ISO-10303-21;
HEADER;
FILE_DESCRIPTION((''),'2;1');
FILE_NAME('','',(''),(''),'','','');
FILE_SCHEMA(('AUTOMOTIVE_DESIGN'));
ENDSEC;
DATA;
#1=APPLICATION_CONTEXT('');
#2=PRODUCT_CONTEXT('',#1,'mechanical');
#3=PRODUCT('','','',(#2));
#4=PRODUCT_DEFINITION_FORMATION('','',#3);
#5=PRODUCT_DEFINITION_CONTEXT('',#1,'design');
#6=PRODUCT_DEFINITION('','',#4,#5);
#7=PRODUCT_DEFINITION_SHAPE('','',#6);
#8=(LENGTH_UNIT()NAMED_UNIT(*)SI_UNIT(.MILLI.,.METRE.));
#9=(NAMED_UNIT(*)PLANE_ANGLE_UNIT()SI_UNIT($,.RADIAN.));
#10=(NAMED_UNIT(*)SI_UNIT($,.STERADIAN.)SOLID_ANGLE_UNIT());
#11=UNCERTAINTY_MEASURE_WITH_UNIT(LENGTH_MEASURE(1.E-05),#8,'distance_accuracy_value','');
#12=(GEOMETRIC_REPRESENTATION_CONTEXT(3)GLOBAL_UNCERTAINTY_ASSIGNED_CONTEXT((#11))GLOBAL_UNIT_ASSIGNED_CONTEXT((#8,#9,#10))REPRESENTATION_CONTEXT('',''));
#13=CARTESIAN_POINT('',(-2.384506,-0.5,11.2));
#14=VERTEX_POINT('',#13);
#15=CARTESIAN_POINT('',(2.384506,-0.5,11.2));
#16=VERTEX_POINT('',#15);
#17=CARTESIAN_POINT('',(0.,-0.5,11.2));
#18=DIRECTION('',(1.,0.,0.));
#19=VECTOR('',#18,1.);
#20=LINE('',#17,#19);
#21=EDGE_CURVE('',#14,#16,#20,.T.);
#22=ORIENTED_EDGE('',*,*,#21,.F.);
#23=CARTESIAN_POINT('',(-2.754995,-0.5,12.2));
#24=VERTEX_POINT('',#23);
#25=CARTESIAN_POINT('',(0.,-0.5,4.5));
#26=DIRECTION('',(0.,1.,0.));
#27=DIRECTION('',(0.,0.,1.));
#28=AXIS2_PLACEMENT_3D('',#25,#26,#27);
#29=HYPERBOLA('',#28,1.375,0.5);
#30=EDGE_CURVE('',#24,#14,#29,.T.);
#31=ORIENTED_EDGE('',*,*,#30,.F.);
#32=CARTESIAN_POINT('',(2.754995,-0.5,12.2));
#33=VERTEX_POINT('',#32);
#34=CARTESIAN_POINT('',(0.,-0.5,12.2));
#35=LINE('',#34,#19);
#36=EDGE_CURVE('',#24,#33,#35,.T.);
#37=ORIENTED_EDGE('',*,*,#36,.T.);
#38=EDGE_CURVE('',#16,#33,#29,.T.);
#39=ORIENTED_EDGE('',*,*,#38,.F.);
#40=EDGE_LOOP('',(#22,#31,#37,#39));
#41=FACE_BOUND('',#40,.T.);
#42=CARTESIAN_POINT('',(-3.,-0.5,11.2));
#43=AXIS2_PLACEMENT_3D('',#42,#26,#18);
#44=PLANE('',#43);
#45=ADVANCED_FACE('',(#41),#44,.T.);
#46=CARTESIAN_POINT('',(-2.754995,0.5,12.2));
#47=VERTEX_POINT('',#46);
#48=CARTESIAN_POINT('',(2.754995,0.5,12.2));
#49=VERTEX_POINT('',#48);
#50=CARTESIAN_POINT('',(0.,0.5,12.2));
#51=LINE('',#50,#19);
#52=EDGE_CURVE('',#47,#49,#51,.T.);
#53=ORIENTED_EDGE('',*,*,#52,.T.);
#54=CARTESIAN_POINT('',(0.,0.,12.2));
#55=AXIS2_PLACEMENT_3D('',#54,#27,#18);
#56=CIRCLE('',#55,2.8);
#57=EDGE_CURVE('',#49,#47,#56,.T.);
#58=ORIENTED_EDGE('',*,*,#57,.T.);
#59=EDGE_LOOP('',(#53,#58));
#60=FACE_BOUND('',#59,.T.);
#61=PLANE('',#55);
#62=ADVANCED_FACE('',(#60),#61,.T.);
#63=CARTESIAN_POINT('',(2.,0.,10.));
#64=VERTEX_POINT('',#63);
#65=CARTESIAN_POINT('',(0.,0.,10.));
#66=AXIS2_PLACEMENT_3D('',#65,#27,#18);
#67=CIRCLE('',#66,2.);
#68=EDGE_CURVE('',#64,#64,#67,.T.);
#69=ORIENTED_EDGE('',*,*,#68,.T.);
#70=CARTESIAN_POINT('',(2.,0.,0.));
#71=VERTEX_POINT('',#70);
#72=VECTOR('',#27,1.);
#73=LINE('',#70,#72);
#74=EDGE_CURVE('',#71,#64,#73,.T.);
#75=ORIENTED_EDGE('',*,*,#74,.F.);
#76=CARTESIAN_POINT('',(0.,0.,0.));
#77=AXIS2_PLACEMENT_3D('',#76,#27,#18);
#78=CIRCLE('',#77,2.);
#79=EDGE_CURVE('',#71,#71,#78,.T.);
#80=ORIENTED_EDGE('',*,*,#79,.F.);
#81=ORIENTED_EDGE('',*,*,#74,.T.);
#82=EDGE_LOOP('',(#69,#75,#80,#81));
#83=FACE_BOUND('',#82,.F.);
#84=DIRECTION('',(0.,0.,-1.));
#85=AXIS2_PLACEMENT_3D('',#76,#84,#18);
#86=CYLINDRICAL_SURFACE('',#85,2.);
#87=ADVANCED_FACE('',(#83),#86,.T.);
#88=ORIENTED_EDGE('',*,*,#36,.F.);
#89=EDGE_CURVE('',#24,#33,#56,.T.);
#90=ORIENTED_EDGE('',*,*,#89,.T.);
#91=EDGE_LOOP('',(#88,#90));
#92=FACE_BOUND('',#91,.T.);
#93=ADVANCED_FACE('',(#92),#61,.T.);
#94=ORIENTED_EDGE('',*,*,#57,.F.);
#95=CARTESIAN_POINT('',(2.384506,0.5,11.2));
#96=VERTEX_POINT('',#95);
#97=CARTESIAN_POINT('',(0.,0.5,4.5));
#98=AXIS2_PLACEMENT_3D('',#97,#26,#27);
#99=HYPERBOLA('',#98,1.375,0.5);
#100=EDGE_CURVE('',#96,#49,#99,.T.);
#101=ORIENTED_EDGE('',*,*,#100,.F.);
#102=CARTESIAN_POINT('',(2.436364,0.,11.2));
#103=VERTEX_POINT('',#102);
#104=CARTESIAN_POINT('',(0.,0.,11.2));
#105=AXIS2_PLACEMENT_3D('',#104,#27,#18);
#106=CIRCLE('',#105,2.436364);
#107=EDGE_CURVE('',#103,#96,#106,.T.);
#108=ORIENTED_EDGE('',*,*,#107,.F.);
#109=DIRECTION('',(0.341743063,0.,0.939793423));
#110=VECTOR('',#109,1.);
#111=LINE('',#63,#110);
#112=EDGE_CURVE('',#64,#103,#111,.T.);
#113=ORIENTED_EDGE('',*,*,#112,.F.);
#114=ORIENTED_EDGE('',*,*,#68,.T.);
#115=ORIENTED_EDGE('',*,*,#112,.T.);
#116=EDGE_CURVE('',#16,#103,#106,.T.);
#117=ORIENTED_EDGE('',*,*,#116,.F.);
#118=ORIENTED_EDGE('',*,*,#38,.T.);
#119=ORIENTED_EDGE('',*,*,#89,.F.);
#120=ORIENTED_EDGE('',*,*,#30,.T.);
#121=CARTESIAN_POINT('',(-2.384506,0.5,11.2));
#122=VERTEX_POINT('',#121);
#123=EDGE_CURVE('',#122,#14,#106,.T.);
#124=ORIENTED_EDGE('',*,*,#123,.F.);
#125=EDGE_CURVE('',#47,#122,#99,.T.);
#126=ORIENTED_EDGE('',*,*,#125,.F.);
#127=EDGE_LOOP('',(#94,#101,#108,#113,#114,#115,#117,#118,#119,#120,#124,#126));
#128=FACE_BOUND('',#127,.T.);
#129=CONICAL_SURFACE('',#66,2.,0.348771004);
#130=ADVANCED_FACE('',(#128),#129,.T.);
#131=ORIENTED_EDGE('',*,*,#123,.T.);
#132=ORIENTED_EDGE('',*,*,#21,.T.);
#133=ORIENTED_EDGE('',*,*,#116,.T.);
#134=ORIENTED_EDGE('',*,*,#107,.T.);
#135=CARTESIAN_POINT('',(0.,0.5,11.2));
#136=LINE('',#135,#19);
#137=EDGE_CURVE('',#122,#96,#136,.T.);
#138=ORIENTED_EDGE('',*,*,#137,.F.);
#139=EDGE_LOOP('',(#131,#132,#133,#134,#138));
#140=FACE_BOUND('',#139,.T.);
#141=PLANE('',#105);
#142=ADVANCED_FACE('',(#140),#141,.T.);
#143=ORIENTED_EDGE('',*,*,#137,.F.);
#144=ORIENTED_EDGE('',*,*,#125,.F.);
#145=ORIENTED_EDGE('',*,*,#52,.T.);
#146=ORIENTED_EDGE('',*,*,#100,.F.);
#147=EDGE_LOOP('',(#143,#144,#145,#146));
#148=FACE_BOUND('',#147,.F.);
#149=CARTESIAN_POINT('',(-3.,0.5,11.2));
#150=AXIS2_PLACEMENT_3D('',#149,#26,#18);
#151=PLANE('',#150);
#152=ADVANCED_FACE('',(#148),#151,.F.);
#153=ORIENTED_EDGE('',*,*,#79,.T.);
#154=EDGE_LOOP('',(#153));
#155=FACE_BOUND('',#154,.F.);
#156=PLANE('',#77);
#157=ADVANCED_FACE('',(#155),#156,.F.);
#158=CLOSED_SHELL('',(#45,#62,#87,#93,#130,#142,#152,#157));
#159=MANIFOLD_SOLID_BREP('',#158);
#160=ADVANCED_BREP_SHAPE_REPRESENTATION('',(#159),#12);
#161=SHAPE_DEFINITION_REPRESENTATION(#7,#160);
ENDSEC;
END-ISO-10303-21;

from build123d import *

# Parameters (mm, degrees)
BOX_W          = 6
BOX_H          = 1
BOX_DEPTH      = 1
CYLINDER_R     = 2
CYLINDER_DEPTH = 10


with BuildPart() as cub:
    # Box → Box (new body)
    with BuildSketch(Plane(origin=(-3, -0.5, 11.2), x_dir=(1, 0, 0), z_dir=(0, 0, 1))):
        with Locations((3, 0.5)):
            Rectangle(BOX_W, BOX_H)
    extrude(amount=BOX_DEPTH)


with BuildPart() as con:
    # Cone → Cone (revolve)
    with BuildSketch(Plane(origin=(0, 0, 10), x_dir=(1, 0, 0), z_dir=(0, -1, 0))):
        Polygon((0, 0), (2, 0), (2.8, 2.2), (0, 2.2), align=None)
    revolve(axis=Axis((0, 0, 10), (0, 0, 1)))


with BuildPart() as cargol:
    # Cylinder → Cylinder (new body)
    with BuildSketch(Plane.XY):
        Circle(CYLINDER_R)
    extrude(amount=CYLINDER_DEPTH)

    # Fusion: union Con
    add(con.part)

    # Cut: cut Cub
    add(cub.part, mode=Mode.SUBTRACT)


solid = cargol.part
